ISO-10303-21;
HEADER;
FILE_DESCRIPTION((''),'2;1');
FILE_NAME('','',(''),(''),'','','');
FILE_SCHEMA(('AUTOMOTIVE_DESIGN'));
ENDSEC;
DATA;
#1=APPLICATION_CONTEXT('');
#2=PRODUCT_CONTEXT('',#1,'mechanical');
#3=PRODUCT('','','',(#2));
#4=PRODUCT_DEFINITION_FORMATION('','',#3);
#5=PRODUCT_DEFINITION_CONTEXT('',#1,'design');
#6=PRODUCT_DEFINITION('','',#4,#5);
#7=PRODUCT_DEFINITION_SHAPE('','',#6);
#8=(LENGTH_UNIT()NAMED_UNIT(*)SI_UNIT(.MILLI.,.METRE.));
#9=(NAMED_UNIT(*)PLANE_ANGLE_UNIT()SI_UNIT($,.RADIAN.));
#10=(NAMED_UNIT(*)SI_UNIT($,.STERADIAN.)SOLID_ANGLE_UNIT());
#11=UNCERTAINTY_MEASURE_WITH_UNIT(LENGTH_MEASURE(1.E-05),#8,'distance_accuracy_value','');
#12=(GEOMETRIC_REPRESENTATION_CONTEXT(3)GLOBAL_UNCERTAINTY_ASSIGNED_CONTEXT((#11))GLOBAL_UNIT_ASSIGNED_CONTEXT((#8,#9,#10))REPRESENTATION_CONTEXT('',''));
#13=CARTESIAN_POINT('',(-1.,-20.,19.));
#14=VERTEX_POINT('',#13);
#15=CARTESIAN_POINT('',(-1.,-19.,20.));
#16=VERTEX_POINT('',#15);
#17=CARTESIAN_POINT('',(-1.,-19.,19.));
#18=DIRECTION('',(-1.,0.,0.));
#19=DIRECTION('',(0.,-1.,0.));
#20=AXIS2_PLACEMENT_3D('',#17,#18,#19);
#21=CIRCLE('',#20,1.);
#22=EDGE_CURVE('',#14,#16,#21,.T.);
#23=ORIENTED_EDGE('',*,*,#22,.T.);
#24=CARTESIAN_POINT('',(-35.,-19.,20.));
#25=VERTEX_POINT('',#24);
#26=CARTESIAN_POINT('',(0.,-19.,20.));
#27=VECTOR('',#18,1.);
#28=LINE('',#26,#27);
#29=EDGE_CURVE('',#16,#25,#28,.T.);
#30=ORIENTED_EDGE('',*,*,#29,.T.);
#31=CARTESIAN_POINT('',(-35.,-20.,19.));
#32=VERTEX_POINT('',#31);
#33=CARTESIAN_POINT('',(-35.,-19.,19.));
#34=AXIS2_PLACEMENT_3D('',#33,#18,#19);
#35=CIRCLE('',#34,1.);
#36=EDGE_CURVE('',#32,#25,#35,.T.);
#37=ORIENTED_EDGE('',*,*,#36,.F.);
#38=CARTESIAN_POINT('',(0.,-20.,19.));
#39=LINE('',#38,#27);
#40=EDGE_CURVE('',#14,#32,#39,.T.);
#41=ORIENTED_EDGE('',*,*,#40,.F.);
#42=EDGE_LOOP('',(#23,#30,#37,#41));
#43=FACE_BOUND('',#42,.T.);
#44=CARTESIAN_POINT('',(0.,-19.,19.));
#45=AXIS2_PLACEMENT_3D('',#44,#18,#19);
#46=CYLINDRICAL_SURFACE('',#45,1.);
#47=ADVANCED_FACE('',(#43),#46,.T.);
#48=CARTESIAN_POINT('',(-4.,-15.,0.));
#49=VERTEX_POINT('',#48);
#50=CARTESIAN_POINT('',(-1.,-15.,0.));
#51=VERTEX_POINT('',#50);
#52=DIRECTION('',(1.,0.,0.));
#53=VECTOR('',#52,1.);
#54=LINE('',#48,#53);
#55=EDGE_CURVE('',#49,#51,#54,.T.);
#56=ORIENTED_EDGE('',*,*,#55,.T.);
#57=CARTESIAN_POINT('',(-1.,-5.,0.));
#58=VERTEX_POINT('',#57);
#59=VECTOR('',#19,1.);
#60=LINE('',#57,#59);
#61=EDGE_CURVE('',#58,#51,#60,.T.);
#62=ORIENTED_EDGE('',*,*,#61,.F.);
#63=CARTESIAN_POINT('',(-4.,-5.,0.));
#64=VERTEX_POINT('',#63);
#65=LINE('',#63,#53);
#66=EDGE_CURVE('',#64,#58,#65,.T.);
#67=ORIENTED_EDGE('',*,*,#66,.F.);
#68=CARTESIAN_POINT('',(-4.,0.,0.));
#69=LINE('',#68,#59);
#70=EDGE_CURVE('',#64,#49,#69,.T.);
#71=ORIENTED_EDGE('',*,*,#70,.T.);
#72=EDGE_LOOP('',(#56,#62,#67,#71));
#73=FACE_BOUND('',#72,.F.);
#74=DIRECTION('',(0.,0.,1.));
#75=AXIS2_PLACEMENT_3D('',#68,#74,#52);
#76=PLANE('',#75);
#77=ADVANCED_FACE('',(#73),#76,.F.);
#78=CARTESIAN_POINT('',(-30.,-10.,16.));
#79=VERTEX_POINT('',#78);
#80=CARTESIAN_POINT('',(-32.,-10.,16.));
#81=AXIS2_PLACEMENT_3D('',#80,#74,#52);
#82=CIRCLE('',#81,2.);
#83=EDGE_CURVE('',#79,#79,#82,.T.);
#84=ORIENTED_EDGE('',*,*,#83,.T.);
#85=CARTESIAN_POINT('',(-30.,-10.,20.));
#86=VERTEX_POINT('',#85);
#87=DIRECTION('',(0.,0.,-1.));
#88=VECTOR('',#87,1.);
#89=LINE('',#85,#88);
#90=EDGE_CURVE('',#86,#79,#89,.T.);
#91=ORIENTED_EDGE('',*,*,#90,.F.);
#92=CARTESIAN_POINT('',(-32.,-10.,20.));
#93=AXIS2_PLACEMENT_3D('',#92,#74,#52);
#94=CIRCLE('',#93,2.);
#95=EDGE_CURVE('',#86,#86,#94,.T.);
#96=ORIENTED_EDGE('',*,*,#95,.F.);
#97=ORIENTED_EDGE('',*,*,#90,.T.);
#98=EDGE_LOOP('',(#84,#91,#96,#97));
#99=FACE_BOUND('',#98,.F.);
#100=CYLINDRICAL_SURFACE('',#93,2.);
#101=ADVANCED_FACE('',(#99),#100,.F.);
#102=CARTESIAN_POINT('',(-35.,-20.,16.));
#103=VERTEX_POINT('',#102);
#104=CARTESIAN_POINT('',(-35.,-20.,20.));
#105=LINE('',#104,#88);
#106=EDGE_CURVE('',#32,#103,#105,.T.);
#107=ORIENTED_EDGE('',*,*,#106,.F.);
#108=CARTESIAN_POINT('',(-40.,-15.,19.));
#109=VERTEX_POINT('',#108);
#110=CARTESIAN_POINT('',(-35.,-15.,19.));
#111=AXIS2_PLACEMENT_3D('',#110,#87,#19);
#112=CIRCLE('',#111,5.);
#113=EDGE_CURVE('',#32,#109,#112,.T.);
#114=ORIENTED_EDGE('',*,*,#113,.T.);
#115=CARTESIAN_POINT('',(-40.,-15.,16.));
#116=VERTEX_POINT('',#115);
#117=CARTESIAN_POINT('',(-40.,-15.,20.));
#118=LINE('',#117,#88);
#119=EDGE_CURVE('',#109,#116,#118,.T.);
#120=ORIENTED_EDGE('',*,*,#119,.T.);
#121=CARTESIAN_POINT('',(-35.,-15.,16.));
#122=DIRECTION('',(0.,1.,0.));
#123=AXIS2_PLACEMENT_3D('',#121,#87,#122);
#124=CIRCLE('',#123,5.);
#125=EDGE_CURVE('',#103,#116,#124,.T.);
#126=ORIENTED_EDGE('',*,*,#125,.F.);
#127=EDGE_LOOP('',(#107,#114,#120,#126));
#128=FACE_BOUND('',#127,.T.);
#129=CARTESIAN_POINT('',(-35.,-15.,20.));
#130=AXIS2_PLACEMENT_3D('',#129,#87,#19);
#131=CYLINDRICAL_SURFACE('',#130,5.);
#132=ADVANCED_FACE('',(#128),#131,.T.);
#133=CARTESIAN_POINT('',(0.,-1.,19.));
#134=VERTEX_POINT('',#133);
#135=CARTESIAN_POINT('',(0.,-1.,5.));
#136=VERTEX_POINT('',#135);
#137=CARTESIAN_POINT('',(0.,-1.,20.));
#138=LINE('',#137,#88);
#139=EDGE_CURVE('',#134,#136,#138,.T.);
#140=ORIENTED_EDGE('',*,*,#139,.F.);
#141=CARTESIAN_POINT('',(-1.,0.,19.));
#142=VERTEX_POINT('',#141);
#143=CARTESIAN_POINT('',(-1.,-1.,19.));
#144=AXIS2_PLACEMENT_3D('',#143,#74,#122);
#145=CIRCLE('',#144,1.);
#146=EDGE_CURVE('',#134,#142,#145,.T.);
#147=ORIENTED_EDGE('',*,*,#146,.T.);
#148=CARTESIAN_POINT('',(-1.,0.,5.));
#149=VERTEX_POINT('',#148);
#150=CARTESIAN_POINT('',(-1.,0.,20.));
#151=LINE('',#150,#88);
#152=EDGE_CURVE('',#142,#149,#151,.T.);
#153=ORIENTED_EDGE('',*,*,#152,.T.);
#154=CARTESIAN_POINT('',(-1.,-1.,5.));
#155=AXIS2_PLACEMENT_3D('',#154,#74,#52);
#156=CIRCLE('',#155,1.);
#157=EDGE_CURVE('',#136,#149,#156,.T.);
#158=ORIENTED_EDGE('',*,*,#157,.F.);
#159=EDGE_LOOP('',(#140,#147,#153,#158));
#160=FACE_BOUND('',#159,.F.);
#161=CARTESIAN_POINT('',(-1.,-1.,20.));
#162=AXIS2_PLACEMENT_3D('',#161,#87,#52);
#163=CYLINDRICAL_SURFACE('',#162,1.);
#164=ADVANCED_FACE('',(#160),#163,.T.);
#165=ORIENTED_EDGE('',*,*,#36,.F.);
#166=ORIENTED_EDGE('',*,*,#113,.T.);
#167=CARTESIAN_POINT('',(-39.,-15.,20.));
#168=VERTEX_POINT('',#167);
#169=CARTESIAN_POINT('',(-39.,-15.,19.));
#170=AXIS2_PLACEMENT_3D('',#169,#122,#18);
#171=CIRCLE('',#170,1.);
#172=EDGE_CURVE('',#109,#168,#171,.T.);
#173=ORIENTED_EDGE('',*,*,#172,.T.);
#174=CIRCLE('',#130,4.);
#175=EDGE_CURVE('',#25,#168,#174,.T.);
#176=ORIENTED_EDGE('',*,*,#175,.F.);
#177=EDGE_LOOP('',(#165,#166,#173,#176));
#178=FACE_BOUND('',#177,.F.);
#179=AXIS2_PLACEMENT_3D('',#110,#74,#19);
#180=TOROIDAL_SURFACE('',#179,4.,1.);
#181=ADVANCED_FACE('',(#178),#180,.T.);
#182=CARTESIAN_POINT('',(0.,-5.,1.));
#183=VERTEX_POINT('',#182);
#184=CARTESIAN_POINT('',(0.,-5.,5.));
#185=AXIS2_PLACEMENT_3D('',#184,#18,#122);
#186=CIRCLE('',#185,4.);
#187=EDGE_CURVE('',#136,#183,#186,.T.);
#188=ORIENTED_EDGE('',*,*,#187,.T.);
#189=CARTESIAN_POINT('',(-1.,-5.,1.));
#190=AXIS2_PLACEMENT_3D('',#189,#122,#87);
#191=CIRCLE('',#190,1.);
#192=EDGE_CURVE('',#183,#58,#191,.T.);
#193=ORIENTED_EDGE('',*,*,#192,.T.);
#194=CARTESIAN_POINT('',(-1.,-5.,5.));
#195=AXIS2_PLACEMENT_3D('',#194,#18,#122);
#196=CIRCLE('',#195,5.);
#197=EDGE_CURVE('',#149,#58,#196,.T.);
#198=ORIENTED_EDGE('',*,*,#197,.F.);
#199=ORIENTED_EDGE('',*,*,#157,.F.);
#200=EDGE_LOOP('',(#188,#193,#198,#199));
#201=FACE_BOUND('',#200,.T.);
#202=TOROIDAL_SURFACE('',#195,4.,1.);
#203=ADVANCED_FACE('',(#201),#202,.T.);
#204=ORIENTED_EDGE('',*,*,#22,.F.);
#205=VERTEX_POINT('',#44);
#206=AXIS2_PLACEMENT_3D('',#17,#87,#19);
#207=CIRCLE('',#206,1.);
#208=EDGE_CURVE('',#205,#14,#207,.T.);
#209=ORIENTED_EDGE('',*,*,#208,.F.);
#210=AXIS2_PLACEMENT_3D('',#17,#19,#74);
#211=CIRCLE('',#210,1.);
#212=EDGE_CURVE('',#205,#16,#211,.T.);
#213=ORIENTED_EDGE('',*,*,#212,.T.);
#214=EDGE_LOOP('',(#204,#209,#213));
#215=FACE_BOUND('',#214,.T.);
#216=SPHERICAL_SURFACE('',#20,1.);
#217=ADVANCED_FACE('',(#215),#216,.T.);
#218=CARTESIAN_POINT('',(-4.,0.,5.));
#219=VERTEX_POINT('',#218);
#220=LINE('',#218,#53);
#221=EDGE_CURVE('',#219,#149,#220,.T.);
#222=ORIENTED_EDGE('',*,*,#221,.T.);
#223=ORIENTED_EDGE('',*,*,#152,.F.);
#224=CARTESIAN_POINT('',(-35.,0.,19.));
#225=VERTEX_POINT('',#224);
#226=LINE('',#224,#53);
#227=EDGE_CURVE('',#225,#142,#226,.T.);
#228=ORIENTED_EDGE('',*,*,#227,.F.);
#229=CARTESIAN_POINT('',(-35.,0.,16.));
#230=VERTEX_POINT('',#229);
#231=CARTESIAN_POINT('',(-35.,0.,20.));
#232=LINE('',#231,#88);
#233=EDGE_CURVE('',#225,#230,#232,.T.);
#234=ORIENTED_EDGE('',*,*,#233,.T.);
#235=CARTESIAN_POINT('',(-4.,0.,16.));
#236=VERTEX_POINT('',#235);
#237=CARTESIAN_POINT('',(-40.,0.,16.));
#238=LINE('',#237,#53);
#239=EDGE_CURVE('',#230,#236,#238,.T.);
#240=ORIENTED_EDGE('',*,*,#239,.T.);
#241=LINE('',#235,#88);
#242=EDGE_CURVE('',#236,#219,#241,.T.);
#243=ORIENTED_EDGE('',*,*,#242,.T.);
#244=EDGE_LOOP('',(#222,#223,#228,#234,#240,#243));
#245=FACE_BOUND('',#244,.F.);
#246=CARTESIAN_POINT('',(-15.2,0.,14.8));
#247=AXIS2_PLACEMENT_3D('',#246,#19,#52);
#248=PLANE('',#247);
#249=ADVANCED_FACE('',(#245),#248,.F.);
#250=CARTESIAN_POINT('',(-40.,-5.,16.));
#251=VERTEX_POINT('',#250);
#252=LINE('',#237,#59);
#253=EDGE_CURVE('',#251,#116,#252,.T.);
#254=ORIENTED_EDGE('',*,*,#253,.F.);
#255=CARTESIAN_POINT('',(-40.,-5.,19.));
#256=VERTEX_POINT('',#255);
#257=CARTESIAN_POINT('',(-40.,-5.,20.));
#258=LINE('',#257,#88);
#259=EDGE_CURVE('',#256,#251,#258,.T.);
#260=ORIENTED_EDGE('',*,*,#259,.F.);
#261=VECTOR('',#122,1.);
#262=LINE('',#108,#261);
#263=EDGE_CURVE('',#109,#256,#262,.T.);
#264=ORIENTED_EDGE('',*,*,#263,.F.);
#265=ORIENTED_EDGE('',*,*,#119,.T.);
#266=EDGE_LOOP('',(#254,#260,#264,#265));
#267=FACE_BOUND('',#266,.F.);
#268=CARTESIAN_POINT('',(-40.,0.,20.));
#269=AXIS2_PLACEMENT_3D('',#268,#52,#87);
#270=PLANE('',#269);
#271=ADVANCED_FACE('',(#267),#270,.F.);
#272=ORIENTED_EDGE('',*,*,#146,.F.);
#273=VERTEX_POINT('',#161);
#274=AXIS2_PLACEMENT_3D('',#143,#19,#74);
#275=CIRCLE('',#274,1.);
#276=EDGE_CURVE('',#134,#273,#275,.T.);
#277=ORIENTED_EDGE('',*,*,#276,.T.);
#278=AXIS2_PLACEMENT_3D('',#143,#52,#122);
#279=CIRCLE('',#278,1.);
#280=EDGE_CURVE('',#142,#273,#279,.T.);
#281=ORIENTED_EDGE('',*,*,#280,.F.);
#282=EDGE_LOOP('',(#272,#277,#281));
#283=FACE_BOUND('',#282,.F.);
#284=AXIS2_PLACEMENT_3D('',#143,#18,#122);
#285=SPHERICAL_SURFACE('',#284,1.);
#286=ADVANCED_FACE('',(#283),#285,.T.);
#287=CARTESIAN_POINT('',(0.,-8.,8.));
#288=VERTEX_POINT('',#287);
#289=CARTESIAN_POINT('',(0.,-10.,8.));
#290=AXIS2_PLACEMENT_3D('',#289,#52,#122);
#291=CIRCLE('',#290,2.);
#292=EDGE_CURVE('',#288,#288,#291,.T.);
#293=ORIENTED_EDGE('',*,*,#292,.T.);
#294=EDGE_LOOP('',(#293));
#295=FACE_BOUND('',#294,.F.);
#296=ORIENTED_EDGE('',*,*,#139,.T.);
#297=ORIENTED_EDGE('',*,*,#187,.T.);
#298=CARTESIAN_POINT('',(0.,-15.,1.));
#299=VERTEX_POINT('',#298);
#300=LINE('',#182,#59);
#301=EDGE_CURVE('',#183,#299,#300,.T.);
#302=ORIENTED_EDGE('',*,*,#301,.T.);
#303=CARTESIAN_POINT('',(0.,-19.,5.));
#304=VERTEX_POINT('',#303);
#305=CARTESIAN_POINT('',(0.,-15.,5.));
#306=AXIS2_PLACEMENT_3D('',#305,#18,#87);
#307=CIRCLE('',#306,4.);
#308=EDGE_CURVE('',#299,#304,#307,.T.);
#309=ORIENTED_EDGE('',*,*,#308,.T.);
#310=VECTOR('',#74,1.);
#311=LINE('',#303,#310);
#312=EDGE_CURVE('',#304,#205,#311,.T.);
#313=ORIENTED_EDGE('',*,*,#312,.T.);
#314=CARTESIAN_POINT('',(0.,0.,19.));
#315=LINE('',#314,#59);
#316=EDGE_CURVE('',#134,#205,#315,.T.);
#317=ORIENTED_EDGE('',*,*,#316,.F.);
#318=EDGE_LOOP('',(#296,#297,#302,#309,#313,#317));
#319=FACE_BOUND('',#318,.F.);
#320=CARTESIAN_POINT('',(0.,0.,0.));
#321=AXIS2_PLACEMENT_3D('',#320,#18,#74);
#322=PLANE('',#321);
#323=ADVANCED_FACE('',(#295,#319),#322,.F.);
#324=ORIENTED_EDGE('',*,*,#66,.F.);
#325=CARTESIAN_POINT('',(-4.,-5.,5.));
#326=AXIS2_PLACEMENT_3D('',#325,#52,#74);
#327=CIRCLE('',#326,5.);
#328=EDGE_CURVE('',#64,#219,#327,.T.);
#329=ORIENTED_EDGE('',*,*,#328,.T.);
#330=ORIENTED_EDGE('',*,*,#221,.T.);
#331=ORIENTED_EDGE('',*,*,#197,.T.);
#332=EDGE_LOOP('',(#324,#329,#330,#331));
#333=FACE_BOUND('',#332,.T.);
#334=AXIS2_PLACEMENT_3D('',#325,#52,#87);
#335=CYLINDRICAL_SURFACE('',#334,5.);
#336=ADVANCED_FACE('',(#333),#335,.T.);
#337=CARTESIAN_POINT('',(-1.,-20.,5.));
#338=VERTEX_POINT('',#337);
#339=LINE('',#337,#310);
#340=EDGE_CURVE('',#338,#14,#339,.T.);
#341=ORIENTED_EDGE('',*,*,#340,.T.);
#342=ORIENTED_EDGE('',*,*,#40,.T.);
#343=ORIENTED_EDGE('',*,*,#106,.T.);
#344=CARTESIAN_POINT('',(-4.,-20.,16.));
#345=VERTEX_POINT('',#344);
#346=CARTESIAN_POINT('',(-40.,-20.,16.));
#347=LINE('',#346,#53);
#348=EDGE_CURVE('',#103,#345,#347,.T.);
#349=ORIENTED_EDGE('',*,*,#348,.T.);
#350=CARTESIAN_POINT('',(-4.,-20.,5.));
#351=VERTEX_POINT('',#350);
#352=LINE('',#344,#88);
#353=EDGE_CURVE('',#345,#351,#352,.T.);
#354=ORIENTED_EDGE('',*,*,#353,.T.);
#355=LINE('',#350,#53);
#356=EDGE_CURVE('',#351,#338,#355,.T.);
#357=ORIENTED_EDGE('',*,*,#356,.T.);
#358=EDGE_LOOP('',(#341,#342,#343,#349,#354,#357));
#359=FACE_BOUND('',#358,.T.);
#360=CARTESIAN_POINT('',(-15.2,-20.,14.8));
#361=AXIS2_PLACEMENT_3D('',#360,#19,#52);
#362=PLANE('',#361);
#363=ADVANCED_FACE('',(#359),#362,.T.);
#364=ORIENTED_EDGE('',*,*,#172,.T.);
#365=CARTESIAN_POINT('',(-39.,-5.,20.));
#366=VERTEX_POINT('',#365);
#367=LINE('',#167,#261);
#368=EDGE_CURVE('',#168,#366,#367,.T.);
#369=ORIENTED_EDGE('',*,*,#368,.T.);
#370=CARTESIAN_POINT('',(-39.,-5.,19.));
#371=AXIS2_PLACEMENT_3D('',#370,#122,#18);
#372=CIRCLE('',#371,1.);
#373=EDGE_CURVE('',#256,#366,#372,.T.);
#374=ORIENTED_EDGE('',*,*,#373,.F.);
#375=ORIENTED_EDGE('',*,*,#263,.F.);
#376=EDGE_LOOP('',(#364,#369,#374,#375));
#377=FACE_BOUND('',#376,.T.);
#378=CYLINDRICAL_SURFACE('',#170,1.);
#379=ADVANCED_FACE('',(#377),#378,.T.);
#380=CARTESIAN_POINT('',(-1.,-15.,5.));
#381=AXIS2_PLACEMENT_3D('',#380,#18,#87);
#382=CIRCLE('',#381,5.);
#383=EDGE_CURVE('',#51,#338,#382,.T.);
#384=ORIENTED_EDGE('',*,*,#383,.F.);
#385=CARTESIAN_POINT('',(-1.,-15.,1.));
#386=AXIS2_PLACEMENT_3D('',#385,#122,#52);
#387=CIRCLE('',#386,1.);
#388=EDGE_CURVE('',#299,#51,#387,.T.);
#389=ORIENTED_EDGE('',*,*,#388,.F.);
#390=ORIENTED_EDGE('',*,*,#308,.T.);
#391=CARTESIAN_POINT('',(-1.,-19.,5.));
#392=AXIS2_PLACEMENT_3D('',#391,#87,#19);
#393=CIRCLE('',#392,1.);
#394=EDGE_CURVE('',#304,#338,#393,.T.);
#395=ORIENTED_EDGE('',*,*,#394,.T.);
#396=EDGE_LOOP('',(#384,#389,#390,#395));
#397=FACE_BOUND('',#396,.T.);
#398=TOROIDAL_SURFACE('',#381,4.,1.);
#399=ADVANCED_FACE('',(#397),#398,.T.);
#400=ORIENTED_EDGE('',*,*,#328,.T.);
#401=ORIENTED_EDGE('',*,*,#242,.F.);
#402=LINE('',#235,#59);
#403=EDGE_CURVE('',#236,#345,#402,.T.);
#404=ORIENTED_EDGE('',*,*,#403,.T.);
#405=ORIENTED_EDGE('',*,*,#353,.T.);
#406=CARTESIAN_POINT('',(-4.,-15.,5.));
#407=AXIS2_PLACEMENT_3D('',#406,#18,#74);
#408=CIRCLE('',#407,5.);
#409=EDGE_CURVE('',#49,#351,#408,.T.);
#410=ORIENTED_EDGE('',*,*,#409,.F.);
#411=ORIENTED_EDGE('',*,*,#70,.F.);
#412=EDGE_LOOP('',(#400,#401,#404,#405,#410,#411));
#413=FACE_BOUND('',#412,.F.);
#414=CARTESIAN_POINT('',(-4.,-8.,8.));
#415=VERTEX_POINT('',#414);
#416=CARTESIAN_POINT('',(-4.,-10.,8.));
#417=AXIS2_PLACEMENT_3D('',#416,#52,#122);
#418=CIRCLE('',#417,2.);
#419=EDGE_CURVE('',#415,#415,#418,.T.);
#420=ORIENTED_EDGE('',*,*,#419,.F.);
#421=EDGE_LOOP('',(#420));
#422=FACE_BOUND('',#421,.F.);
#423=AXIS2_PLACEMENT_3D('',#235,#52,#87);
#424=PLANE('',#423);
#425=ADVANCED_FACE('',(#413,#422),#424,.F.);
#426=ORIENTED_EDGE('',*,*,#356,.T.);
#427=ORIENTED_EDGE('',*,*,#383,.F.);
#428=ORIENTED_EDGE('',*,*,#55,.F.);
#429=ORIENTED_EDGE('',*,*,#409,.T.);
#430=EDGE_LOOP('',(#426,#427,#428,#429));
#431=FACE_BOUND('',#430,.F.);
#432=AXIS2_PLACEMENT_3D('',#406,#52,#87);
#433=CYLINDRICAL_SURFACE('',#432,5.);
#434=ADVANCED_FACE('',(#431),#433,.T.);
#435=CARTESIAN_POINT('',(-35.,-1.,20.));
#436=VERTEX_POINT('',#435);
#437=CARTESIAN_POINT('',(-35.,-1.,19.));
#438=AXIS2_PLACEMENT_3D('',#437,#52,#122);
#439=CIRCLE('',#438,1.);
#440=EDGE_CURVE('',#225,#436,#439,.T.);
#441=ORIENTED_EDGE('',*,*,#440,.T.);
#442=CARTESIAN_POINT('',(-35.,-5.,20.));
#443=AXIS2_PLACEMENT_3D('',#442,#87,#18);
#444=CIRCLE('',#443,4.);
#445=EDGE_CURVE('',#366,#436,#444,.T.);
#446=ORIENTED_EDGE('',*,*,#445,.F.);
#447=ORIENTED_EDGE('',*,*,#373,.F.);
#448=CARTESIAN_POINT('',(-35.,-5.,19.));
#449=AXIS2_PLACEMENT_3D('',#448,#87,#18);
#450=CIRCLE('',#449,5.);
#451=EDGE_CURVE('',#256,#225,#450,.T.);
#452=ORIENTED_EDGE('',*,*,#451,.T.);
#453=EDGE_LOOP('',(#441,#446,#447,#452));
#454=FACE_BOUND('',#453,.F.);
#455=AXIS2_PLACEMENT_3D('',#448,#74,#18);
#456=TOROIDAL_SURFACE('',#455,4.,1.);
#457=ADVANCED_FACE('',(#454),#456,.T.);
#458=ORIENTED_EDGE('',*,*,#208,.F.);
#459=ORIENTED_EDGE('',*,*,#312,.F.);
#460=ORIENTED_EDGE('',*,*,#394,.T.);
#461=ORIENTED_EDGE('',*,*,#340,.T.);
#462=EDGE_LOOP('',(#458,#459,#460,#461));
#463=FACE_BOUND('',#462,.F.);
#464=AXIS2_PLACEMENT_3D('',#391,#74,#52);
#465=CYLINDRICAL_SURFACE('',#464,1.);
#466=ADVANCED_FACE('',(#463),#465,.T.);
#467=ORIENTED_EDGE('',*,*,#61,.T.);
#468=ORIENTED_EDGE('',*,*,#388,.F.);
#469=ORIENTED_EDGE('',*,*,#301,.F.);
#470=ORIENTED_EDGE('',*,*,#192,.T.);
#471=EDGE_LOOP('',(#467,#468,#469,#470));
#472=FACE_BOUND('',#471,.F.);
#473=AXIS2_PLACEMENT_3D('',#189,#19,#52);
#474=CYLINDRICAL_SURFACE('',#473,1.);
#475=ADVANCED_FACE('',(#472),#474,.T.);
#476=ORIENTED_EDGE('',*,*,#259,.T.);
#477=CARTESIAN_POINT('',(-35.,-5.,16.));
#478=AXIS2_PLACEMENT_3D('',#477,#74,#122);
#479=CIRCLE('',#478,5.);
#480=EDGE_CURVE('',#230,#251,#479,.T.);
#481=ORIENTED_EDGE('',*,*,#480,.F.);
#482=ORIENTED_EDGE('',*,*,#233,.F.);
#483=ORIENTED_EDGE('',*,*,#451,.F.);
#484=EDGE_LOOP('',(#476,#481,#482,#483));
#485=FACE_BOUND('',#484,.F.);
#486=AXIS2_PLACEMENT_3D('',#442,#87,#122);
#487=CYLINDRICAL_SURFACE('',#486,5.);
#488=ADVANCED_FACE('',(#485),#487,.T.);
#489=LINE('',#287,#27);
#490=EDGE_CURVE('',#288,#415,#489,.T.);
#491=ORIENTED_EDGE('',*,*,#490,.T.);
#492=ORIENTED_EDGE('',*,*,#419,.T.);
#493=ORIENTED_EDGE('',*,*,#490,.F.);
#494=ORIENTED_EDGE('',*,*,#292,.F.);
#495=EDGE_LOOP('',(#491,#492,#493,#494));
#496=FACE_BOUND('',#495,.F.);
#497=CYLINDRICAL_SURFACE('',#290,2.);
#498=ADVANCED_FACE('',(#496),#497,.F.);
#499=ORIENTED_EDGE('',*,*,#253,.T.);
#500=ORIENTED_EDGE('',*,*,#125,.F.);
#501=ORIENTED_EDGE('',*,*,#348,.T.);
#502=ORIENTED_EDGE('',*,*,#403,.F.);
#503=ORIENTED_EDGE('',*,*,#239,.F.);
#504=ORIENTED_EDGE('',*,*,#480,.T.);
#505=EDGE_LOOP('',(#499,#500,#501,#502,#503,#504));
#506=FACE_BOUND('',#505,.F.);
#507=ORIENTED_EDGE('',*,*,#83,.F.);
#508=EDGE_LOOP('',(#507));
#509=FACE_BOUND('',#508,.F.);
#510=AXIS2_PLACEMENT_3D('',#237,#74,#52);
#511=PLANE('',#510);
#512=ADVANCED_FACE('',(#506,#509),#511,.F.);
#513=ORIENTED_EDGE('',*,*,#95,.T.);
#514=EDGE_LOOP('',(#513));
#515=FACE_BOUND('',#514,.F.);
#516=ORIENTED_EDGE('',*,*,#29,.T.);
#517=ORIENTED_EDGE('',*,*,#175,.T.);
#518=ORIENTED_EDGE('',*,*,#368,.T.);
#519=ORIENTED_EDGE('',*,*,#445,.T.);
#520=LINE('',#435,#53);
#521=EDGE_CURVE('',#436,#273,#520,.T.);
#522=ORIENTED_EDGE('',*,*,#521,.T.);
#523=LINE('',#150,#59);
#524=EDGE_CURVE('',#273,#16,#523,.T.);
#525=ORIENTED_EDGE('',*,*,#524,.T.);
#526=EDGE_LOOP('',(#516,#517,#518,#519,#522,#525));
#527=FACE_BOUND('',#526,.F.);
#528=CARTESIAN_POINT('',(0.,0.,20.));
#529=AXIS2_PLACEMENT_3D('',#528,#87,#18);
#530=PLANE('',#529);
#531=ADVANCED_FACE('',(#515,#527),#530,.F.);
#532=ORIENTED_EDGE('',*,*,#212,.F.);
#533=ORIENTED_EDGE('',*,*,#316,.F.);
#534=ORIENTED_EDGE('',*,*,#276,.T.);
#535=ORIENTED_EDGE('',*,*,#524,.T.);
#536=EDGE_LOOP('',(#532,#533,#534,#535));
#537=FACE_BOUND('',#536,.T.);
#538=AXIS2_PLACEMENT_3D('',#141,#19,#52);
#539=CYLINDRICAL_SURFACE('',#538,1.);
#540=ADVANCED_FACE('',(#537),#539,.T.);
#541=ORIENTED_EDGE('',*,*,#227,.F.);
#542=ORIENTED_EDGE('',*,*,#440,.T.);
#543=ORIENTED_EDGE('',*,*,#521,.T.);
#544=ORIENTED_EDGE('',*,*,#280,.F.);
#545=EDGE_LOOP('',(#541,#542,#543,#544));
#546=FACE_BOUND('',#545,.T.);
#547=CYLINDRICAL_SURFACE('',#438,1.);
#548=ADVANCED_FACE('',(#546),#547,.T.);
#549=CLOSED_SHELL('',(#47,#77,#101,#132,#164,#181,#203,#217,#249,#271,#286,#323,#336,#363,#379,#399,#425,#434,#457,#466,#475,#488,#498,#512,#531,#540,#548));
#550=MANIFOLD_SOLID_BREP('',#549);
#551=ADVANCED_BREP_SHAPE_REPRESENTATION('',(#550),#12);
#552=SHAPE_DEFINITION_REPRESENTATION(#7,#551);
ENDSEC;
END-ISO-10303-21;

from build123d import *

# Parameters (mm, degrees)
F1_DEPTH = 20
F2_R     = 2
F3_DEPTH = 25
F4_R     = 2
F5_DEPTH = 25
F6_R     = 5
F7_R     = 1


with BuildPart() as f1:
    # F0 (on Front) → F1 (new body)
    with BuildSketch(Plane.XZ):
        Polygon((-4, 0), (0, 0), (0, 20), (-40, 20), (-40, 16), (-4, 16), align=None)
    extrude(amount=F1_DEPTH)

    # F2 (on face) → F3 (cut)
    with BuildSketch(Plane.XY.offset(20)):
        with Locations((-32, -10)):
            Circle(F2_R)
    extrude(amount=-F3_DEPTH, mode=Mode.SUBTRACT)

    # F4 (on face) → F5 (cut)
    with BuildSketch(Plane.YZ):
        with Locations((-10, 8)):
            Circle(F4_R)
    extrude(amount=-F5_DEPTH, mode=Mode.SUBTRACT)

    # F6
    f6_edges = [f1.edges().sort_by_distance(p)[0] for p in [
        (-2, -20, 0),
        (-2, 0, 0),
        (-40, -20, 18),
        (-40, 0, 18),
    ]]
    fillet(f6_edges, radius=F6_R)

    # F7
    f7_edges = [f1.edges().sort_by_distance(p)[0] for p in [
        (-17.5, -20, 20),
        (0, -20, 12.5),
        (0, -10, 20),
    ]]
    fillet(f7_edges, radius=F7_R)


solid = f1.part
